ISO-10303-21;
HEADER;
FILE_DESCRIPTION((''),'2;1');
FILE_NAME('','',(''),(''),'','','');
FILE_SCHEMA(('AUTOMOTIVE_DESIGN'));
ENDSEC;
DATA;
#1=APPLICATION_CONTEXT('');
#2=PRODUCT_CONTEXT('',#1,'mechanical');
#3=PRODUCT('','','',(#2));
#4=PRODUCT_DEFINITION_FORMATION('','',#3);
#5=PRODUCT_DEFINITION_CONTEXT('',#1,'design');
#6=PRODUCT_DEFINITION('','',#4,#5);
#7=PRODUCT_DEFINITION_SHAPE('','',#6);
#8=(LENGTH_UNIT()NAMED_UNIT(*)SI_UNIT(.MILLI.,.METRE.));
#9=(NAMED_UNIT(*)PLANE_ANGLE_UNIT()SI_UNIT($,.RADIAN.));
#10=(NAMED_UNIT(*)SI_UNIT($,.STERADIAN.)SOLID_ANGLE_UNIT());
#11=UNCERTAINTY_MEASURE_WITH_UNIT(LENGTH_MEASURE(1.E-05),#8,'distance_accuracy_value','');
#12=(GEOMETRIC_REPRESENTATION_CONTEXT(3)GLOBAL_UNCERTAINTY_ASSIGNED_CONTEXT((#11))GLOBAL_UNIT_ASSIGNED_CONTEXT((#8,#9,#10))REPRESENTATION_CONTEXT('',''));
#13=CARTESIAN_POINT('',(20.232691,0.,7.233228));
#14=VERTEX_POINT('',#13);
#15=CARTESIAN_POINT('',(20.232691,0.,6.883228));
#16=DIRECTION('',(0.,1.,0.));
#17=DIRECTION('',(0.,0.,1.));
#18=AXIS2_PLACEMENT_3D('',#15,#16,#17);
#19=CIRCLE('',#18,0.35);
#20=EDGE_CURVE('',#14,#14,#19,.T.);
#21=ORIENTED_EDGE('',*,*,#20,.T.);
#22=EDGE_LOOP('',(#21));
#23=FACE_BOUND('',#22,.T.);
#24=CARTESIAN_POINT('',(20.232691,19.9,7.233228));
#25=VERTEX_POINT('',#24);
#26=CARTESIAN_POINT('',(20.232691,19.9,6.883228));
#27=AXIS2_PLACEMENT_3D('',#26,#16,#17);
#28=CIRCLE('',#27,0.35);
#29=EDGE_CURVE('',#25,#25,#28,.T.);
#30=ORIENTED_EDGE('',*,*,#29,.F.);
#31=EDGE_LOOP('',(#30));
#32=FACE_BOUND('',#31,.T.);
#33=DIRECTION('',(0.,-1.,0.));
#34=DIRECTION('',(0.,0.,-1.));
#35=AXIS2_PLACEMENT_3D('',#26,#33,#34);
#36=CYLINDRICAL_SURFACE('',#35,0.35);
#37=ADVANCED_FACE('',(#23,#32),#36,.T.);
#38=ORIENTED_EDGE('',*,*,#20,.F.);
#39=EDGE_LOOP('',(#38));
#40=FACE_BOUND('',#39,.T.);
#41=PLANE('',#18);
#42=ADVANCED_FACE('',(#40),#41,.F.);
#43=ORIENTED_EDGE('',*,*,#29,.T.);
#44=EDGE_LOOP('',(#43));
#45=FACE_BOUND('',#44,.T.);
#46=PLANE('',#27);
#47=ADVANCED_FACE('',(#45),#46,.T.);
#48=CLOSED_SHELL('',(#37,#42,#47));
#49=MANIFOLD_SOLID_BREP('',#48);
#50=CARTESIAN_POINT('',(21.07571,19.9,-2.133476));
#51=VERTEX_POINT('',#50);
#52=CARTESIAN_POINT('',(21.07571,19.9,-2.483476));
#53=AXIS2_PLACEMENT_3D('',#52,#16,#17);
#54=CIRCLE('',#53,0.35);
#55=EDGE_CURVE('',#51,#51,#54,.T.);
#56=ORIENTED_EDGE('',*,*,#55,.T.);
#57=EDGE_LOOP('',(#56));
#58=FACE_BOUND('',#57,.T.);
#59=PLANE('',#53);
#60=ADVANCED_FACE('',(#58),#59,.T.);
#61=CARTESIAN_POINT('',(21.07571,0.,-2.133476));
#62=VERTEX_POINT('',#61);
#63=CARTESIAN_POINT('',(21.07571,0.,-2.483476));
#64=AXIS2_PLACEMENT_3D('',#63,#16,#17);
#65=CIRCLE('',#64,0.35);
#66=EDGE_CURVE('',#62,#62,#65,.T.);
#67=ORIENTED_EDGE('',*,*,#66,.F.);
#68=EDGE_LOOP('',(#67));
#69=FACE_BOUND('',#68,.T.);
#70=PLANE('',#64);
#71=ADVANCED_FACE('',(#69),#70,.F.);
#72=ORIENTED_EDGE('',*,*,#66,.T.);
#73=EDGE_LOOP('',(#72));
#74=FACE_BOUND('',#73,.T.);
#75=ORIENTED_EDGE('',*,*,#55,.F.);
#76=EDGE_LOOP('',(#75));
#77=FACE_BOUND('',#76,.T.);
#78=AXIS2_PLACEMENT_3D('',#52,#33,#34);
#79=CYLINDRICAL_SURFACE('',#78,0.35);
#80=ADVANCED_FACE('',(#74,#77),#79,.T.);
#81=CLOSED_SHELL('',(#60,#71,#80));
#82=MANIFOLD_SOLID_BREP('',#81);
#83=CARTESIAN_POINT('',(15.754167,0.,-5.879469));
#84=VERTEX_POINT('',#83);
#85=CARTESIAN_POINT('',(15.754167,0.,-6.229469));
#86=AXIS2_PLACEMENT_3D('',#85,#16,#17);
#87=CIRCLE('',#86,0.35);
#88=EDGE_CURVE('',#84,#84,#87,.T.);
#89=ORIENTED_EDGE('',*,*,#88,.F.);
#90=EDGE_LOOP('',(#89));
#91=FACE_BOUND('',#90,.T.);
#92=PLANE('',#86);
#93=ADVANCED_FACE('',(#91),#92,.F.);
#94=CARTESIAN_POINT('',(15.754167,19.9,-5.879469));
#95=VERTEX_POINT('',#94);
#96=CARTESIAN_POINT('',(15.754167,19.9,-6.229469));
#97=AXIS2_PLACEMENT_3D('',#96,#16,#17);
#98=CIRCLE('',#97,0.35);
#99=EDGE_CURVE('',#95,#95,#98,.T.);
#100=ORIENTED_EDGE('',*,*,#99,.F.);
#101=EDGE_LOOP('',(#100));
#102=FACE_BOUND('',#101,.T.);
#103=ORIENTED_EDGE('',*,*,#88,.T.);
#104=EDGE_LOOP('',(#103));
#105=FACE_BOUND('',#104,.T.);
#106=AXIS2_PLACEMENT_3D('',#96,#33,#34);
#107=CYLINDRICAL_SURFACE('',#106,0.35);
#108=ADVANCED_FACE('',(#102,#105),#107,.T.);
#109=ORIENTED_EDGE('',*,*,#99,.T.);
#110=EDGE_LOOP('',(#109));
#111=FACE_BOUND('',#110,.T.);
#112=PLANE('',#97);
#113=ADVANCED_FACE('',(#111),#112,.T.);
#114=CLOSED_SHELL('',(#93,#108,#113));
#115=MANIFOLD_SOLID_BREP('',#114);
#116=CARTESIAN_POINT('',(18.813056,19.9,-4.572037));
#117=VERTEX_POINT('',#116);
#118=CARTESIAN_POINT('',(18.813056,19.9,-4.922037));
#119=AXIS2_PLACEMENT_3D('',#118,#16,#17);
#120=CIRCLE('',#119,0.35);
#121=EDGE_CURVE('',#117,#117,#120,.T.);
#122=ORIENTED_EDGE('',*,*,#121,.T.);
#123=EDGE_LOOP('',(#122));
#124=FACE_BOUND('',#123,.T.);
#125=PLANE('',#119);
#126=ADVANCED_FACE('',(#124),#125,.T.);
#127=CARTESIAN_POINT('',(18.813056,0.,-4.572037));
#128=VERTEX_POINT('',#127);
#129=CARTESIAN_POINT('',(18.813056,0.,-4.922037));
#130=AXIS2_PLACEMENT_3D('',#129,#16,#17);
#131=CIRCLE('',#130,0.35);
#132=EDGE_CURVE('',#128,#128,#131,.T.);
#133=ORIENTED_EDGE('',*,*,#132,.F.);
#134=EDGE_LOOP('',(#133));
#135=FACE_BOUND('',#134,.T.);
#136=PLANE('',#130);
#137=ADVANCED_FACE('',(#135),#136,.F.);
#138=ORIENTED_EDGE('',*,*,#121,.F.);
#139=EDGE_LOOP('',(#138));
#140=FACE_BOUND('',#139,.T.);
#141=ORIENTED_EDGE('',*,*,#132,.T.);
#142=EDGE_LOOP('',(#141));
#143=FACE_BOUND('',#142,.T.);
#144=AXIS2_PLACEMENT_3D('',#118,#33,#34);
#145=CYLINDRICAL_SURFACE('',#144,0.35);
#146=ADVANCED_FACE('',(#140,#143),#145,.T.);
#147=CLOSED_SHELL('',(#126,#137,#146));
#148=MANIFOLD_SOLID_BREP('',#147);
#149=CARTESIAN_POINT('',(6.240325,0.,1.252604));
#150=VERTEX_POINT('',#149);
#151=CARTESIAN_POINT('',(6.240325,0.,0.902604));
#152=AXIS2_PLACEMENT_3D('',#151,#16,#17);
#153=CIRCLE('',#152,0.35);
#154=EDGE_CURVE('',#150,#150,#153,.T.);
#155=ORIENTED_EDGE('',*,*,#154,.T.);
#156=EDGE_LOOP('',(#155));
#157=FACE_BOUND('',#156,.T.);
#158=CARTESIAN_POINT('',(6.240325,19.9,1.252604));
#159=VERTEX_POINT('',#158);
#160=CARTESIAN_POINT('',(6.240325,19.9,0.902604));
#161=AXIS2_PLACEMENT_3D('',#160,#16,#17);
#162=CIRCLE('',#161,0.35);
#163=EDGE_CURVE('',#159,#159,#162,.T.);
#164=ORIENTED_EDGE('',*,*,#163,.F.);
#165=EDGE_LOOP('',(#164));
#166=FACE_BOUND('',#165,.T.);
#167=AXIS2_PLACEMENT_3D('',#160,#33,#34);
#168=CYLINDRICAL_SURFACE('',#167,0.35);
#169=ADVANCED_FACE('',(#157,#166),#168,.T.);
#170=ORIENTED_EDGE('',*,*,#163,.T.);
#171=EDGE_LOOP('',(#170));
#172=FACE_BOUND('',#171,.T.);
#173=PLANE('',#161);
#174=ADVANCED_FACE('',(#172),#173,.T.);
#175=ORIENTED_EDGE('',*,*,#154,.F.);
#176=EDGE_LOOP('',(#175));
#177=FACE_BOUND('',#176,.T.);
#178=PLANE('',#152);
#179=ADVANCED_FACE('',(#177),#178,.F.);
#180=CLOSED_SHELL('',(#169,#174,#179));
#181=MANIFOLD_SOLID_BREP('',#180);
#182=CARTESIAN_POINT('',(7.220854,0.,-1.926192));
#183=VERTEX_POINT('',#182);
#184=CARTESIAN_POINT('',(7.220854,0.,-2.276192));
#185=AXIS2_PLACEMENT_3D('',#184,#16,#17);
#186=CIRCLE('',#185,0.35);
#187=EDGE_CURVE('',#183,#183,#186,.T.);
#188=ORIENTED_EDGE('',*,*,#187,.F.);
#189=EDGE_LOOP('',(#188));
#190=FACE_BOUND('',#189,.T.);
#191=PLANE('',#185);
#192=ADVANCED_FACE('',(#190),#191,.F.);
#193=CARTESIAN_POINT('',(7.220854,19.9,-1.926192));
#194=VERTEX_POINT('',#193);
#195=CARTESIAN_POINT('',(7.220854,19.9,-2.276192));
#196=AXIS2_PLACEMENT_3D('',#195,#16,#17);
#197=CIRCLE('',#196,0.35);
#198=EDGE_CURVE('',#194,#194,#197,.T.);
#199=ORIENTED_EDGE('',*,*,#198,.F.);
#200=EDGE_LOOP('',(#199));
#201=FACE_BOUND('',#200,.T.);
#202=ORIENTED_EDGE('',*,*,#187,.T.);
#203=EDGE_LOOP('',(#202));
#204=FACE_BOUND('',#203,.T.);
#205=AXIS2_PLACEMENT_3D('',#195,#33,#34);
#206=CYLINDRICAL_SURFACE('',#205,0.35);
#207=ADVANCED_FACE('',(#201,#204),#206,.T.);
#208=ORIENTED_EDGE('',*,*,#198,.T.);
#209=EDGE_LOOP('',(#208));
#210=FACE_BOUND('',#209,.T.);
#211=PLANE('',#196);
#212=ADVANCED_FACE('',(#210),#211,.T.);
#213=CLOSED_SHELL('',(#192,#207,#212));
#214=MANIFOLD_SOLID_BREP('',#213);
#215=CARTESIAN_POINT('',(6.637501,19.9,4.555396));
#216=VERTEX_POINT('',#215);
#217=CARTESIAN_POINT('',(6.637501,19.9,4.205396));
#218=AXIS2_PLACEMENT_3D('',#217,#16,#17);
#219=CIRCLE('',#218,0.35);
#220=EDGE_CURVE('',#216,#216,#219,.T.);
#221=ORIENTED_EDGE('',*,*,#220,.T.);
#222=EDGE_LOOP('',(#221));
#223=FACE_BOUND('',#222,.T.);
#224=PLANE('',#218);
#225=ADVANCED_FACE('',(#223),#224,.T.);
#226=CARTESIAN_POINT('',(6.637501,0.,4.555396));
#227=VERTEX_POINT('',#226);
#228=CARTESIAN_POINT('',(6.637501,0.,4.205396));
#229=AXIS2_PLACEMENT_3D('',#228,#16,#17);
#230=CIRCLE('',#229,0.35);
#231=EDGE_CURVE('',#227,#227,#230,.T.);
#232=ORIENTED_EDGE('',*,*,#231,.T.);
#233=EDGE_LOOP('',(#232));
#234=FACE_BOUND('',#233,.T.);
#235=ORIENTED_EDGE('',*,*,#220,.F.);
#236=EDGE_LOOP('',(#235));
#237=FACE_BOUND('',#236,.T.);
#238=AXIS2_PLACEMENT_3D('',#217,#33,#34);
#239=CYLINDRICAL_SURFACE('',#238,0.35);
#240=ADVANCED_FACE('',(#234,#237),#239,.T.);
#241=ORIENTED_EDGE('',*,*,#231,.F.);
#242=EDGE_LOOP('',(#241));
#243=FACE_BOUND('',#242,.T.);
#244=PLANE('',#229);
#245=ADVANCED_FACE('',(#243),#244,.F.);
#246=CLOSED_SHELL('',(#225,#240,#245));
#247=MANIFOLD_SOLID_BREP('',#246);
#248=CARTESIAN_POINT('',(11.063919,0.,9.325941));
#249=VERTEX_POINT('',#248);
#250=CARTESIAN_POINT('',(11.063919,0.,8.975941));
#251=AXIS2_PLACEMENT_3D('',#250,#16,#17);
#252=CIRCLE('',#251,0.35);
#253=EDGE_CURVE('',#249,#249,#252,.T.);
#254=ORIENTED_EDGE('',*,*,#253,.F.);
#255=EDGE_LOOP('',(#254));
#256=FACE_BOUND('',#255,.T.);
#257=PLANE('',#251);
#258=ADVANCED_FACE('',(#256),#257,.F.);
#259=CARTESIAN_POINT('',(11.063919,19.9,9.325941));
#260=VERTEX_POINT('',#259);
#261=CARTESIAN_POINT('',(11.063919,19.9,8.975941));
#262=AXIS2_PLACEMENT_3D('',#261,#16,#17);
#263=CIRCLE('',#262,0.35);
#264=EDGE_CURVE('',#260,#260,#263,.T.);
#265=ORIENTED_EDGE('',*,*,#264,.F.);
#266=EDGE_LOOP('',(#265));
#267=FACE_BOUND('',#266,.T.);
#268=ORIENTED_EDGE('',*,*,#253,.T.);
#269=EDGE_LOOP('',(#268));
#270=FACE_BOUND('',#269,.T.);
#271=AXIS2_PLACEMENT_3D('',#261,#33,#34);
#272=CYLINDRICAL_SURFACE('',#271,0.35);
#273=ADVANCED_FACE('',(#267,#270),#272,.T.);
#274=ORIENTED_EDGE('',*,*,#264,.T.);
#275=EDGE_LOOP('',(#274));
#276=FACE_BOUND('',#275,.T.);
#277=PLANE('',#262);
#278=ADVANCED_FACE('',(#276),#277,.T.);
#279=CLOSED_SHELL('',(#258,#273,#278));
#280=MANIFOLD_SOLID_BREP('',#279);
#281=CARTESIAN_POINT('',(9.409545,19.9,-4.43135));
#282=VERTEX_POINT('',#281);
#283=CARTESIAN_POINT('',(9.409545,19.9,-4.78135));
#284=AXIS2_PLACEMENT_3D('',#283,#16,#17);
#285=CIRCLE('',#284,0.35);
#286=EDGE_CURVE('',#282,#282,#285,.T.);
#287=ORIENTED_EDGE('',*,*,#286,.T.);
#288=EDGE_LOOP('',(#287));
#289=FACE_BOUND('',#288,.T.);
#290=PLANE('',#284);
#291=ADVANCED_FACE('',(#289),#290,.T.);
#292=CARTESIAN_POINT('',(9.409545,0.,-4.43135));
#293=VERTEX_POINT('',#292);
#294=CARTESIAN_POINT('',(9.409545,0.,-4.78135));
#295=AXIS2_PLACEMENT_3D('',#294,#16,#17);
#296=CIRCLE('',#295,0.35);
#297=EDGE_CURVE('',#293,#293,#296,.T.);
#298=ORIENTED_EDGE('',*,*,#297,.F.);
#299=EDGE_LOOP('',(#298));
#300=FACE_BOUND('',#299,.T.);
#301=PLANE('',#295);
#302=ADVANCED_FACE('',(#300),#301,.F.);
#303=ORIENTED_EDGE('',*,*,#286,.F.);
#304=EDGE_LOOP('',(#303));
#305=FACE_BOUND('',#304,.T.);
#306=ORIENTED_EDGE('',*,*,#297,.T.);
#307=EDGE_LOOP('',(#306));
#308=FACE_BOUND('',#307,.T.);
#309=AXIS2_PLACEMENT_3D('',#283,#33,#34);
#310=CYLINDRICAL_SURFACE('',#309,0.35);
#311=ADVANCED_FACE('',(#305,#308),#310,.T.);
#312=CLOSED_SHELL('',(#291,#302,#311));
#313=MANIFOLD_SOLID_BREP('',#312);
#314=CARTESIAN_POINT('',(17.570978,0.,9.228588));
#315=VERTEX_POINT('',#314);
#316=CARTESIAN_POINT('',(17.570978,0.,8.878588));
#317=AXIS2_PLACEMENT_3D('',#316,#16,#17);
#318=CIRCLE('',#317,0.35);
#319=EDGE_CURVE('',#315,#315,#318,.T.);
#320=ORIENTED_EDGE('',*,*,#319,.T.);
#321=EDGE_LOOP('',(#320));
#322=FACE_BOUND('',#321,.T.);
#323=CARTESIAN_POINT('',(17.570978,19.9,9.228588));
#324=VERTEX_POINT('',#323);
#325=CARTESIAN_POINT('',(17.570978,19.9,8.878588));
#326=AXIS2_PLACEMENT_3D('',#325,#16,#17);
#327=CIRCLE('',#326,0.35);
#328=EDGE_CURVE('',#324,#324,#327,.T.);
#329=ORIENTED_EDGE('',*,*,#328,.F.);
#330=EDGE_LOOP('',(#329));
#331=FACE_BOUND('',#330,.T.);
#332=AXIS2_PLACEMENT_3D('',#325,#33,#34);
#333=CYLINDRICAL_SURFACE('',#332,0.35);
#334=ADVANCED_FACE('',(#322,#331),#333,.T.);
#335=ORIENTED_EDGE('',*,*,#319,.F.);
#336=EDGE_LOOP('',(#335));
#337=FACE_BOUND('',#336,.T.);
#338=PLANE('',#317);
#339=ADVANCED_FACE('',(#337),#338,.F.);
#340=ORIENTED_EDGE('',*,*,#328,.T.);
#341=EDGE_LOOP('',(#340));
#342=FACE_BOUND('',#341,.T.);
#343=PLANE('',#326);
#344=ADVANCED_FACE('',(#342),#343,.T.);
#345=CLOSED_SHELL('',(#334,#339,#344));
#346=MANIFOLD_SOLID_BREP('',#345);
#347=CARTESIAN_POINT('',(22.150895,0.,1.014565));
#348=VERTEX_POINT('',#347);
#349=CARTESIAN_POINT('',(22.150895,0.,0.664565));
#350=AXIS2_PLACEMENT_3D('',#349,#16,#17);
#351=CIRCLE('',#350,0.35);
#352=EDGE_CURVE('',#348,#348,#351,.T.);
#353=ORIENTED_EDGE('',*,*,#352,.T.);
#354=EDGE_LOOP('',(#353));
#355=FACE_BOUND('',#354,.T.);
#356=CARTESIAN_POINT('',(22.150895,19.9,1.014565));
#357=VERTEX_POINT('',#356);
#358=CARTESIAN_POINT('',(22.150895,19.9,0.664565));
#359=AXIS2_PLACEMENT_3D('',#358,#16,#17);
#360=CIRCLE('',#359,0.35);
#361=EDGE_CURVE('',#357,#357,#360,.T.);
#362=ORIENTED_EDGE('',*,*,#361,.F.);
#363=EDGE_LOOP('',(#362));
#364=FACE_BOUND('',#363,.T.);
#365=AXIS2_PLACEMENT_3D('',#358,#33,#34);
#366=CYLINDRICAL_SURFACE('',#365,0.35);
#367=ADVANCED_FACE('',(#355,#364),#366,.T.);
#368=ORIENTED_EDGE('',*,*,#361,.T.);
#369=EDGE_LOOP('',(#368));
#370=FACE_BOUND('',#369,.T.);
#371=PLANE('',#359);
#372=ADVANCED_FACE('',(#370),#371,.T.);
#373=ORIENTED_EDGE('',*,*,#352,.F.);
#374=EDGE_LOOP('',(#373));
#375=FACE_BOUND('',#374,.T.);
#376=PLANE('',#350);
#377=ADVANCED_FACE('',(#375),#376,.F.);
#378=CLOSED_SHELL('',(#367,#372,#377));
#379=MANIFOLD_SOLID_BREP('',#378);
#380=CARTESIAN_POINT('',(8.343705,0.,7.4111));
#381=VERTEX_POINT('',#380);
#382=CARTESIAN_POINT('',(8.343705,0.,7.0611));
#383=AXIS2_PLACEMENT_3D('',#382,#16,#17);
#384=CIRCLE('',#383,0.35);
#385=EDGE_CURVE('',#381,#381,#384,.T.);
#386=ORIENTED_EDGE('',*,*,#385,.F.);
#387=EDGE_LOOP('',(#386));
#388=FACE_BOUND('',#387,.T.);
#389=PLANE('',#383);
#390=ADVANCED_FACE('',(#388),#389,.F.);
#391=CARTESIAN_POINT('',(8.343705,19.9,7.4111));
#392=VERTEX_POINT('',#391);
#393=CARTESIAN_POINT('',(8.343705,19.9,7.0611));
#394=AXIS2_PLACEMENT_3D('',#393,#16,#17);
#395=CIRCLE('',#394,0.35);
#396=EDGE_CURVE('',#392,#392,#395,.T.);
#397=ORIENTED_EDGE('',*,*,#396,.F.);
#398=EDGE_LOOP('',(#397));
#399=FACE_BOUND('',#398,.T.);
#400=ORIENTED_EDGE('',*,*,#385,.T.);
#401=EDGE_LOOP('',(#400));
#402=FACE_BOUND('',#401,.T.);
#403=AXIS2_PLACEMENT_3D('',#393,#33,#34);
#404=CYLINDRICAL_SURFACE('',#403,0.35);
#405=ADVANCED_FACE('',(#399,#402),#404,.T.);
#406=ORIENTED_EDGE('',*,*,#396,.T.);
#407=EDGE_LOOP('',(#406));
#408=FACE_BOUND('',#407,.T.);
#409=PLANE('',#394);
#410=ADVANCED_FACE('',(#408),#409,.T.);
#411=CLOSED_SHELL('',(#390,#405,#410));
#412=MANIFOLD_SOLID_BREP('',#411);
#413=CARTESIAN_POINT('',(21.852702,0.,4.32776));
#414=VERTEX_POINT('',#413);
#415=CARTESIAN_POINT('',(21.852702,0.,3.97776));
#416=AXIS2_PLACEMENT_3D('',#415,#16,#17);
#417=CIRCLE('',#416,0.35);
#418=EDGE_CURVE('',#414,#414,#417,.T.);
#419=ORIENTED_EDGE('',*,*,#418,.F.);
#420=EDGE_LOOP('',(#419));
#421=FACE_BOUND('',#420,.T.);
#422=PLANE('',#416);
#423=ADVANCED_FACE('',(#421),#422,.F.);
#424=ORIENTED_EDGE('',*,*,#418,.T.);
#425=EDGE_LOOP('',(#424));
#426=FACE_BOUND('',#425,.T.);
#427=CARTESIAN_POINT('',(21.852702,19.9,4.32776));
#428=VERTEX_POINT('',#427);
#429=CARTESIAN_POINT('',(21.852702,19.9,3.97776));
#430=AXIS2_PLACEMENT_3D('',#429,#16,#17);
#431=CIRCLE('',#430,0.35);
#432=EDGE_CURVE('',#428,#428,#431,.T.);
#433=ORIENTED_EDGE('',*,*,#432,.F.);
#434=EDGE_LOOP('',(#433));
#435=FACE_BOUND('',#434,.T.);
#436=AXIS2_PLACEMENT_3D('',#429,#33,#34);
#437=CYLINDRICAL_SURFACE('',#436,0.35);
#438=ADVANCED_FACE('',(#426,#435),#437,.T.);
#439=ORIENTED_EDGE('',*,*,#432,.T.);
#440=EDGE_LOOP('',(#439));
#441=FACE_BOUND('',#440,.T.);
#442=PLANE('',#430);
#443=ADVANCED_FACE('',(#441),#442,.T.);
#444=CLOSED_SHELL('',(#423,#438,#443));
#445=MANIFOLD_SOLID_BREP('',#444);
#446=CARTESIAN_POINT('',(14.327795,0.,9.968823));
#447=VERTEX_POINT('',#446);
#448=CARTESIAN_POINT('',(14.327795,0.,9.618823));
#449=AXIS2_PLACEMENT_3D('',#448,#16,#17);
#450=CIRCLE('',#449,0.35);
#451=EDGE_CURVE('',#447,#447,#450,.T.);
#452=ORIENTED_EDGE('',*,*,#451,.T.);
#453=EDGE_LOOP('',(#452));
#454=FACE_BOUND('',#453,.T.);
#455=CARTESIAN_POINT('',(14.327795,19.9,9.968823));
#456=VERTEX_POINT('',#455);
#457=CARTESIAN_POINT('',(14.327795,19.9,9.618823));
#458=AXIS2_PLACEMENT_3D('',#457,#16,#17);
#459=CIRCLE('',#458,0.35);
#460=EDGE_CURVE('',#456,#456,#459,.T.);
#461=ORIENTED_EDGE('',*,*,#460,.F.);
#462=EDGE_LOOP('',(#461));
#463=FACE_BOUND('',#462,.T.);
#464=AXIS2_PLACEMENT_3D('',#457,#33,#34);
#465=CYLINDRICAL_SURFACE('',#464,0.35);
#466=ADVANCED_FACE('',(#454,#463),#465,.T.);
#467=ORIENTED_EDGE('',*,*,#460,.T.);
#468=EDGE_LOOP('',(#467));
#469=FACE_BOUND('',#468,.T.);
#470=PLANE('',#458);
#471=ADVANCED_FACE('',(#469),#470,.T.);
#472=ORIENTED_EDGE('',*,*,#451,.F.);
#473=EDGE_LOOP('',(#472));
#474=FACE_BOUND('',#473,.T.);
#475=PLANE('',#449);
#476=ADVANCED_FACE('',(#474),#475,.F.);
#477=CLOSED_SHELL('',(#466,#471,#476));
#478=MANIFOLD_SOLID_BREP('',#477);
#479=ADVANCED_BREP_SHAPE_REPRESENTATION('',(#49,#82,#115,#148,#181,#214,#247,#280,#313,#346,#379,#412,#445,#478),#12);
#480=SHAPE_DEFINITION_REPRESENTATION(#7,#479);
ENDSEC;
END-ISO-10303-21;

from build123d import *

# Parameters (mm, degrees)
SKETCH1_R              = 0.35
BOSS_EXTRUDE1_DEPTH    = 19.9
BOSS_EXTRUDE1_2_DEPTH  = 19.9
BOSS_EXTRUDE1_3_DEPTH  = 19.9
BOSS_EXTRUDE1_4_DEPTH  = 19.9
BOSS_EXTRUDE1_5_DEPTH  = 19.9
BOSS_EXTRUDE1_6_DEPTH  = 19.9
BOSS_EXTRUDE1_7_DEPTH  = 19.9
BOSS_EXTRUDE1_8_DEPTH  = 19.9
BOSS_EXTRUDE1_9_DEPTH  = 19.9
BOSS_EXTRUDE1_10_DEPTH = 19.9
BOSS_EXTRUDE1_11_DEPTH = 19.9
BOSS_EXTRUDE1_12_DEPTH = 19.9
BOSS_EXTRUDE1_13_DEPTH = 19.9
BOSS_EXTRUDE1_14_DEPTH = 19.9


with BuildPart() as part:
    # Sketch1 → Boss-Extrude1 (new body)
    with BuildSketch(Plane(origin=(0, 0, 0), x_dir=(1, 0, 0), z_dir=(0, 1, 0))):
        with Locations(Location((15.754167044, 6.229468681, 0), (0, 0, 270))):
            Circle(SKETCH1_R)
    extrude(amount=BOSS_EXTRUDE1_DEPTH)


with BuildPart() as body_2:
    # Sketch1 → Boss-Extrude1 2 (new body)
    with BuildSketch(Plane(origin=(0, 0, 0), x_dir=(1, 0, 0), z_dir=(0, 1, 0))):
        with Locations(Location((18.813056228, 4.922036699, 0), (0, 0, 270))):
            Circle(SKETCH1_R)
    extrude(amount=BOSS_EXTRUDE1_2_DEPTH)


with BuildPart() as body_3:
    # Sketch1 → Boss-Extrude1 3 (new body)
    with BuildSketch(Plane(origin=(0, 0, 0), x_dir=(1, 0, 0), z_dir=(0, 1, 0))):
        with Locations(Location((21.075710051, 2.483475833, 0), (0, 0, 270))):
            Circle(SKETCH1_R)
    extrude(amount=BOSS_EXTRUDE1_3_DEPTH)


with BuildPart() as body_4:
    # Sketch1 → Boss-Extrude1 4 (new body)
    with BuildSketch(Plane(origin=(0, 0, 0), x_dir=(1, 0, 0), z_dir=(0, 1, 0))):
        with Locations(Location((22.150895113, -0.66456459, 0), (0, 0, 270))):
            Circle(SKETCH1_R)
    extrude(amount=BOSS_EXTRUDE1_4_DEPTH)


with BuildPart() as body_5:
    # Sketch1 → Boss-Extrude1 5 (new body)
    with BuildSketch(Plane(origin=(0, 0, 0), x_dir=(1, 0, 0), z_dir=(0, 1, 0))):
        with Locations(Location((21.852702148, -3.977759781, 0), (0, 0, 270))):
            Circle(SKETCH1_R)
    extrude(amount=BOSS_EXTRUDE1_5_DEPTH)


with BuildPart() as body_6:
    # Sketch1 → Boss-Extrude1 6 (new body)
    with BuildSketch(Plane(origin=(0, 0, 0), x_dir=(1, 0, 0), z_dir=(0, 1, 0))):
        with Locations(Location((20.23269143, -6.883228194, 0), (0, 0, 270))):
            Circle(SKETCH1_R)
    extrude(amount=BOSS_EXTRUDE1_6_DEPTH)


with BuildPart() as body_7:
    # Sketch1 → Boss-Extrude1 7 (new body)
    with BuildSketch(Plane(origin=(0, 0, 0), x_dir=(1, 0, 0), z_dir=(0, 1, 0))):
        with Locations(Location((17.570977529, -8.878587943, 0), (0, 0, 270))):
            Circle(SKETCH1_R)
    extrude(amount=BOSS_EXTRUDE1_7_DEPTH)


with BuildPart() as body_8:
    # Sketch1 → Boss-Extrude1 8 (new body)
    with BuildSketch(Plane(origin=(0, 0, 0), x_dir=(1, 0, 0), z_dir=(0, 1, 0))):
        with Locations(Location((14.327794958, -9.618823201, 0), (0, 0, 270))):
            Circle(SKETCH1_R)
    extrude(amount=BOSS_EXTRUDE1_8_DEPTH)


with BuildPart() as body_9:
    # Sketch1 → Boss-Extrude1 9 (new body)
    with BuildSketch(Plane(origin=(0, 0, 0), x_dir=(1, 0, 0), z_dir=(0, 1, 0))):
        with Locations(Location((11.063919449, -8.975940567, 0), (0, 0, 270))):
            Circle(SKETCH1_R)
    extrude(amount=BOSS_EXTRUDE1_9_DEPTH)


with BuildPart() as body_10:
    # Sketch1 → Boss-Extrude1 10 (new body)
    with BuildSketch(Plane(origin=(0, 0, 0), x_dir=(1, 0, 0), z_dir=(0, 1, 0))):
        with Locations(Location((8.343704727, -7.061100288, 0), (0, 0, 270))):
            Circle(SKETCH1_R)
    extrude(amount=BOSS_EXTRUDE1_10_DEPTH)


with BuildPart() as body_11:
    # Sketch1 → Boss-Extrude1 11 (new body)
    with BuildSketch(Plane(origin=(0, 0, 0), x_dir=(1, 0, 0), z_dir=(0, 1, 0))):
        with Locations(Location((6.637500632, -4.205395646, 0), (0, 0, 270))):
            Circle(SKETCH1_R)
    extrude(amount=BOSS_EXTRUDE1_11_DEPTH)


with BuildPart() as body_12:
    # Sketch1 → Boss-Extrude1 12 (new body)
    with BuildSketch(Plane(origin=(0, 0, 0), x_dir=(1, 0, 0), z_dir=(0, 1, 0))):
        with Locations(Location((6.24032535, -0.902603915, 0), (0, 0, 270))):
            Circle(SKETCH1_R)
    extrude(amount=BOSS_EXTRUDE1_12_DEPTH)


with BuildPart() as body_13:
    # Sketch1 → Boss-Extrude1 13 (new body)
    with BuildSketch(Plane(origin=(0, 0, 0), x_dir=(1, 0, 0), z_dir=(0, 1, 0))):
        with Locations(Location((7.220854097, 2.276192209, 0), (0, 0, 270))):
            Circle(SKETCH1_R)
    extrude(amount=BOSS_EXTRUDE1_13_DEPTH)


with BuildPart() as body_14:
    # Sketch1 → Boss-Extrude1 14 (new body)
    with BuildSketch(Plane(origin=(0, 0, 0), x_dir=(1, 0, 0), z_dir=(0, 1, 0))):
        with Locations(Location((9.409544545, 4.781349998, 0), (0, 0, 270))):
            Circle(SKETCH1_R)
    extrude(amount=BOSS_EXTRUDE1_14_DEPTH)


solid = Compound([part.part, body_2.part, body_3.part, body_4.part, body_5.part, body_6.part, body_7.part, body_8.part, body_9.part, body_10.part, body_11.part, body_12.part, body_13.part, body_14.part])
